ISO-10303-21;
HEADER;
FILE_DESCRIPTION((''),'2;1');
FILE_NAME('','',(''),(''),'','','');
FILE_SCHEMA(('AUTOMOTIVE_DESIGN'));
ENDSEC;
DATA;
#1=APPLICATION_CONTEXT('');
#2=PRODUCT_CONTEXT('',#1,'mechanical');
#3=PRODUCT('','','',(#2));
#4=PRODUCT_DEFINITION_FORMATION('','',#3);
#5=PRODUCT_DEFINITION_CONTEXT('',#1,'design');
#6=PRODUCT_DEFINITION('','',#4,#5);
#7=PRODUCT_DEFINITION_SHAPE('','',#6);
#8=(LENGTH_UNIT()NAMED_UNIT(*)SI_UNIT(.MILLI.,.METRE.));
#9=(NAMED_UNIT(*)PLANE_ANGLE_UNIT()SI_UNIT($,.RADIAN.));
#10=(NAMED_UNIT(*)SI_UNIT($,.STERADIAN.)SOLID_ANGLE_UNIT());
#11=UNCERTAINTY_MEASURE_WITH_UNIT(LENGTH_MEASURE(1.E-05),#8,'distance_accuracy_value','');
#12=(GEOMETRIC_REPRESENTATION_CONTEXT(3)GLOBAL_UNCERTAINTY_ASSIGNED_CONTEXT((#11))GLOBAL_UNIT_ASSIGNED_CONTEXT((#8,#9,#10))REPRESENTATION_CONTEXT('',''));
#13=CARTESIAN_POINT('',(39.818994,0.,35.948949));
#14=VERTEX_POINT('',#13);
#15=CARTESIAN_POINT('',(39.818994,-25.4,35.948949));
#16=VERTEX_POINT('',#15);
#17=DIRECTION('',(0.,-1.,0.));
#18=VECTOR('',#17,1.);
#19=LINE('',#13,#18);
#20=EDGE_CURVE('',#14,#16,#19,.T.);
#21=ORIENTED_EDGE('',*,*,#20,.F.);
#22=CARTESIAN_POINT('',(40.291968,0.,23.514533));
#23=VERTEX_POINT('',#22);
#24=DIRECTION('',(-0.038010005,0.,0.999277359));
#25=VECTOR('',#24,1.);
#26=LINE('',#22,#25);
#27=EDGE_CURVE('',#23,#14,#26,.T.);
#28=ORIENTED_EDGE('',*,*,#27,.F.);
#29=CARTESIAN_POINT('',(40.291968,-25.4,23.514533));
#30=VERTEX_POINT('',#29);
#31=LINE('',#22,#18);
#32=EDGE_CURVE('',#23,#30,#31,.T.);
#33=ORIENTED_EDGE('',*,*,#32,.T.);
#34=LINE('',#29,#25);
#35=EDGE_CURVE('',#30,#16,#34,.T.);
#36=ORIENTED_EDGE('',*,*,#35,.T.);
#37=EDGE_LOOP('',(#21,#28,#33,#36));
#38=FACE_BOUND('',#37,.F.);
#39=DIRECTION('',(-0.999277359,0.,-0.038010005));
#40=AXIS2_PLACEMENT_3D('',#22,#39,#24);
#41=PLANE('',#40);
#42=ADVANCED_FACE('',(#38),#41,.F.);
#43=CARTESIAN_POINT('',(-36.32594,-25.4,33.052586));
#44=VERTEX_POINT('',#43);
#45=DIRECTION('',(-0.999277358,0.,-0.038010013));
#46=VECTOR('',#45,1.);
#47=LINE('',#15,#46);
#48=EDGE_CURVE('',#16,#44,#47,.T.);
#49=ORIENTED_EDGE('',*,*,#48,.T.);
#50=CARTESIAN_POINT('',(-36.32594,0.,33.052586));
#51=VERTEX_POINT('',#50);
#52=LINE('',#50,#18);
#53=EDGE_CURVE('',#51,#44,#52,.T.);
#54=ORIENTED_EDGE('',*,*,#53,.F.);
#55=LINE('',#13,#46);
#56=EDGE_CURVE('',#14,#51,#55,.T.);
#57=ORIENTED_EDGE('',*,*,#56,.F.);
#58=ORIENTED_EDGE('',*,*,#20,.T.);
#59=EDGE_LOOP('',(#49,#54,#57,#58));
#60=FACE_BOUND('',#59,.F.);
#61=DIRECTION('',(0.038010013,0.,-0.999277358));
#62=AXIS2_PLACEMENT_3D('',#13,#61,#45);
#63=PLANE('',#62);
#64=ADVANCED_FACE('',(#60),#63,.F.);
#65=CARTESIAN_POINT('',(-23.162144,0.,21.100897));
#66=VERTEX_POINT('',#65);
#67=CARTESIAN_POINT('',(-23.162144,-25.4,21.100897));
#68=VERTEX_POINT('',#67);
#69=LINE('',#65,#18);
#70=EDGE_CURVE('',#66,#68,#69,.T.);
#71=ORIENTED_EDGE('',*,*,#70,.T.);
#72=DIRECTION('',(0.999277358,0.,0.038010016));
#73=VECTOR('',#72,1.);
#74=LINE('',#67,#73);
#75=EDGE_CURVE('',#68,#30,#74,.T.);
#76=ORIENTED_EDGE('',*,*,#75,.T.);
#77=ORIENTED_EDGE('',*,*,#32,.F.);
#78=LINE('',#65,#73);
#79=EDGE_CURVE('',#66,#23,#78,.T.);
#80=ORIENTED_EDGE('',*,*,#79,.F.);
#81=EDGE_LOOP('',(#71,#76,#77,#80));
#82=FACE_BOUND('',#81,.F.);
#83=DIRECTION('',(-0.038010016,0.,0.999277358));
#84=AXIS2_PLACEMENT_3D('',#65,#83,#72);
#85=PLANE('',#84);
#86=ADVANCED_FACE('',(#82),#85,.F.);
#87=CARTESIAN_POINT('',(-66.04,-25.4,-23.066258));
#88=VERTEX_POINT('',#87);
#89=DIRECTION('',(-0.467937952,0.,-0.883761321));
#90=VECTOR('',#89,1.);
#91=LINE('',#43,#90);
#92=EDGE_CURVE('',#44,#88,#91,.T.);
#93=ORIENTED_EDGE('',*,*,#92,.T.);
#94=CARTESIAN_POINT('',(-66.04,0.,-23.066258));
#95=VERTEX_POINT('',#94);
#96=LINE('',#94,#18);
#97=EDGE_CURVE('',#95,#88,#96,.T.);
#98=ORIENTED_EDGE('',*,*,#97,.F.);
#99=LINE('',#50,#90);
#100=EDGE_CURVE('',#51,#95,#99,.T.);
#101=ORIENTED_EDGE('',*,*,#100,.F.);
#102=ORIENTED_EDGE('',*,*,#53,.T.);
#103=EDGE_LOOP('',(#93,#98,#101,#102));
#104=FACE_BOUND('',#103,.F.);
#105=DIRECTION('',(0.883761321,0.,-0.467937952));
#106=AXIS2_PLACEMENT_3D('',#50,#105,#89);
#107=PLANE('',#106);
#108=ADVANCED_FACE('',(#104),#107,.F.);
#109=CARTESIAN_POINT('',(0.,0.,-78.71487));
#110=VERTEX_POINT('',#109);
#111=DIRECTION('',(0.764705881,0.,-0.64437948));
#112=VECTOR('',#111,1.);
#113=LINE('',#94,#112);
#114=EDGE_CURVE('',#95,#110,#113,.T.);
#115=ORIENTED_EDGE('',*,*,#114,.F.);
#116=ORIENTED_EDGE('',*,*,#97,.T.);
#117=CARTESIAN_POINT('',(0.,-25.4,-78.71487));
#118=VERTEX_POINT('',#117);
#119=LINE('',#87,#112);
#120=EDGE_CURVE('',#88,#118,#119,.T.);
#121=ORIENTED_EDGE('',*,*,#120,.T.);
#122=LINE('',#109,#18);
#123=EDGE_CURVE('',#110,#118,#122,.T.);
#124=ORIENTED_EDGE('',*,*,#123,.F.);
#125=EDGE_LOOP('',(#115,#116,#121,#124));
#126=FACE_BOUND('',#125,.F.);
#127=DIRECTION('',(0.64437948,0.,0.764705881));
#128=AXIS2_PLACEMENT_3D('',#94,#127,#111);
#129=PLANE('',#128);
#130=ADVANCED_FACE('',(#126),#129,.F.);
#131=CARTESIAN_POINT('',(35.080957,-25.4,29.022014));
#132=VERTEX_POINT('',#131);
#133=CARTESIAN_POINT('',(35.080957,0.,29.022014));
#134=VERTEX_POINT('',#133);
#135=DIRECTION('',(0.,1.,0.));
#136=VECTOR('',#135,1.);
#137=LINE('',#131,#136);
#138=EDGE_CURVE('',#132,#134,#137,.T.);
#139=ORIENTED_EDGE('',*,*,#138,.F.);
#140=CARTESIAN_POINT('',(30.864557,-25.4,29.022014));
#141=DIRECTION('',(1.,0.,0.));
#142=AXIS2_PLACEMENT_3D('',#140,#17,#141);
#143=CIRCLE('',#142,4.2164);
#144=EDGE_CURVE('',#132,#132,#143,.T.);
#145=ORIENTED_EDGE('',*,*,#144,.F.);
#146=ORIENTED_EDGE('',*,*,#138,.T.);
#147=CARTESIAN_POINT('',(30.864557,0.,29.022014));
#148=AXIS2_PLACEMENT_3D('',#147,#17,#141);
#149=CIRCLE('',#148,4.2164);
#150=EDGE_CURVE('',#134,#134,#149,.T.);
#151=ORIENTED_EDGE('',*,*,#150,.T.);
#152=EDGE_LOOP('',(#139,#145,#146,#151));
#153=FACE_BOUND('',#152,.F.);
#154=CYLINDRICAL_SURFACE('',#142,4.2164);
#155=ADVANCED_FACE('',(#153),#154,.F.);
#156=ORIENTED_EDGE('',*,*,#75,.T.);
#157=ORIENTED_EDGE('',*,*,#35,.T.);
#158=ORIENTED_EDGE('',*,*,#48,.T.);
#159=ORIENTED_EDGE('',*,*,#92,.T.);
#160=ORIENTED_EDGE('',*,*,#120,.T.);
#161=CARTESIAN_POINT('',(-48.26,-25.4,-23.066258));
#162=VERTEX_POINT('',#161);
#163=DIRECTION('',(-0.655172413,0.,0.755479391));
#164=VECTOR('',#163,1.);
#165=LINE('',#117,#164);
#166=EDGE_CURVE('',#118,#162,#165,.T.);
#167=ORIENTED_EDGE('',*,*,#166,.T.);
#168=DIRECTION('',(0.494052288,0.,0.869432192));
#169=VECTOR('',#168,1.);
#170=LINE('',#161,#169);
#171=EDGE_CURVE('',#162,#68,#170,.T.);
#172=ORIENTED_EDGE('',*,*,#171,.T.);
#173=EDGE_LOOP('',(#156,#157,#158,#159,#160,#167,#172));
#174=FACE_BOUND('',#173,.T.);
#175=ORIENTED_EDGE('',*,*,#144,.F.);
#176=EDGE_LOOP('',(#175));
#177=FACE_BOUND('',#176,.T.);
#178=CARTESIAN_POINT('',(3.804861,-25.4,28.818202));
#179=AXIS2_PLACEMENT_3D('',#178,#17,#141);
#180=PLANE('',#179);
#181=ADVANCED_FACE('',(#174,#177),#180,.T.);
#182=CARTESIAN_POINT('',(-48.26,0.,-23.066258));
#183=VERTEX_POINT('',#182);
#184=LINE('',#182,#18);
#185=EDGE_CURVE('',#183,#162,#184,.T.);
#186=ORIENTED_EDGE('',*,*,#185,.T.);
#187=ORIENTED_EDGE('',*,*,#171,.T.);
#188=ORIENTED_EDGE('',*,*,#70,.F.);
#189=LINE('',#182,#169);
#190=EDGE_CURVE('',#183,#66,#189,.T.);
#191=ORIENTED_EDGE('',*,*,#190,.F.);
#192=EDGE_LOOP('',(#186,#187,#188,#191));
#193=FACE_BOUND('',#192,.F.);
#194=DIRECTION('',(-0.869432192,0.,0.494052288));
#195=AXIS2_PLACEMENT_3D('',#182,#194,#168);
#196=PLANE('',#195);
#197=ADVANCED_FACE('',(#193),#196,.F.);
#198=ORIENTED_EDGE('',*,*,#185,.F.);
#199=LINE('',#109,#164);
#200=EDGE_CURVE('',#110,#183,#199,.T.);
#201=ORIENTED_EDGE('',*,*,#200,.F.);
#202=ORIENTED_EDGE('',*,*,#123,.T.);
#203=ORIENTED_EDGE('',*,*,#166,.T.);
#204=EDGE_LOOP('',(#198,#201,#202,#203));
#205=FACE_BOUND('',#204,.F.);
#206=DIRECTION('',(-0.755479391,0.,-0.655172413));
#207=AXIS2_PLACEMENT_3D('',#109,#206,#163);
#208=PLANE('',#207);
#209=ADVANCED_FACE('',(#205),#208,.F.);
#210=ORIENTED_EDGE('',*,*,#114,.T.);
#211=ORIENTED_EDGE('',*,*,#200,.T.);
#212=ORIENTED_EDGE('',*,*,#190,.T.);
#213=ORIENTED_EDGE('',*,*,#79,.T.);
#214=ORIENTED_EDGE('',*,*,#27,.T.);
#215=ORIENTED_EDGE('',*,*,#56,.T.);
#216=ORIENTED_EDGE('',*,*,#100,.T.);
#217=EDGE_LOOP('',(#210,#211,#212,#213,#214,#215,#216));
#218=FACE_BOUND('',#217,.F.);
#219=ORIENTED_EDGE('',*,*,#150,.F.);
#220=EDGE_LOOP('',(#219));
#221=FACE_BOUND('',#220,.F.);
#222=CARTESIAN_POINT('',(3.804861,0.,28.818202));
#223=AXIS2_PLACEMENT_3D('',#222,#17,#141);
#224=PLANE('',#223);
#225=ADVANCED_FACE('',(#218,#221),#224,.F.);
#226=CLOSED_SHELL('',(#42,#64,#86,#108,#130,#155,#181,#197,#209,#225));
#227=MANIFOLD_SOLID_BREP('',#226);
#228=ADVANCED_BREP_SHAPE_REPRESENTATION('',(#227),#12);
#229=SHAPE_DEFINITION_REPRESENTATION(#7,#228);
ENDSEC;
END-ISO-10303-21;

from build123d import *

# Parameters (mm, degrees)
F1_DEPTH = 25.4
F2_R     = 4.2164
F3_DEPTH = 25.4


with BuildPart() as f1:
    # F0 (on Front) → F1 (new body)
    with BuildSketch(Plane.XZ):
        Polygon((40.291968, 23.514533), (39.818994, 35.948949), (-36.32594, 33.052586), (-23.162144, 21.100897), align=None)
        Polygon((-23.162144, 21.100897), (-36.32594, 33.052586), (-66.04, -23.066258), (-48.26, -23.066258), align=None)
        Polygon((-48.26, -23.066258), (-66.04, -23.066258), (0, -78.71487), align=None)
    extrude(amount=F1_DEPTH)

    # F2 (on face) → F3 (cut)
    with BuildSketch(Plane.XZ.offset(25.4)):
        with Locations((30.864557, 29.022014)):
            Circle(F2_R)
    extrude(amount=-F3_DEPTH, mode=Mode.SUBTRACT)


solid = f1.part
